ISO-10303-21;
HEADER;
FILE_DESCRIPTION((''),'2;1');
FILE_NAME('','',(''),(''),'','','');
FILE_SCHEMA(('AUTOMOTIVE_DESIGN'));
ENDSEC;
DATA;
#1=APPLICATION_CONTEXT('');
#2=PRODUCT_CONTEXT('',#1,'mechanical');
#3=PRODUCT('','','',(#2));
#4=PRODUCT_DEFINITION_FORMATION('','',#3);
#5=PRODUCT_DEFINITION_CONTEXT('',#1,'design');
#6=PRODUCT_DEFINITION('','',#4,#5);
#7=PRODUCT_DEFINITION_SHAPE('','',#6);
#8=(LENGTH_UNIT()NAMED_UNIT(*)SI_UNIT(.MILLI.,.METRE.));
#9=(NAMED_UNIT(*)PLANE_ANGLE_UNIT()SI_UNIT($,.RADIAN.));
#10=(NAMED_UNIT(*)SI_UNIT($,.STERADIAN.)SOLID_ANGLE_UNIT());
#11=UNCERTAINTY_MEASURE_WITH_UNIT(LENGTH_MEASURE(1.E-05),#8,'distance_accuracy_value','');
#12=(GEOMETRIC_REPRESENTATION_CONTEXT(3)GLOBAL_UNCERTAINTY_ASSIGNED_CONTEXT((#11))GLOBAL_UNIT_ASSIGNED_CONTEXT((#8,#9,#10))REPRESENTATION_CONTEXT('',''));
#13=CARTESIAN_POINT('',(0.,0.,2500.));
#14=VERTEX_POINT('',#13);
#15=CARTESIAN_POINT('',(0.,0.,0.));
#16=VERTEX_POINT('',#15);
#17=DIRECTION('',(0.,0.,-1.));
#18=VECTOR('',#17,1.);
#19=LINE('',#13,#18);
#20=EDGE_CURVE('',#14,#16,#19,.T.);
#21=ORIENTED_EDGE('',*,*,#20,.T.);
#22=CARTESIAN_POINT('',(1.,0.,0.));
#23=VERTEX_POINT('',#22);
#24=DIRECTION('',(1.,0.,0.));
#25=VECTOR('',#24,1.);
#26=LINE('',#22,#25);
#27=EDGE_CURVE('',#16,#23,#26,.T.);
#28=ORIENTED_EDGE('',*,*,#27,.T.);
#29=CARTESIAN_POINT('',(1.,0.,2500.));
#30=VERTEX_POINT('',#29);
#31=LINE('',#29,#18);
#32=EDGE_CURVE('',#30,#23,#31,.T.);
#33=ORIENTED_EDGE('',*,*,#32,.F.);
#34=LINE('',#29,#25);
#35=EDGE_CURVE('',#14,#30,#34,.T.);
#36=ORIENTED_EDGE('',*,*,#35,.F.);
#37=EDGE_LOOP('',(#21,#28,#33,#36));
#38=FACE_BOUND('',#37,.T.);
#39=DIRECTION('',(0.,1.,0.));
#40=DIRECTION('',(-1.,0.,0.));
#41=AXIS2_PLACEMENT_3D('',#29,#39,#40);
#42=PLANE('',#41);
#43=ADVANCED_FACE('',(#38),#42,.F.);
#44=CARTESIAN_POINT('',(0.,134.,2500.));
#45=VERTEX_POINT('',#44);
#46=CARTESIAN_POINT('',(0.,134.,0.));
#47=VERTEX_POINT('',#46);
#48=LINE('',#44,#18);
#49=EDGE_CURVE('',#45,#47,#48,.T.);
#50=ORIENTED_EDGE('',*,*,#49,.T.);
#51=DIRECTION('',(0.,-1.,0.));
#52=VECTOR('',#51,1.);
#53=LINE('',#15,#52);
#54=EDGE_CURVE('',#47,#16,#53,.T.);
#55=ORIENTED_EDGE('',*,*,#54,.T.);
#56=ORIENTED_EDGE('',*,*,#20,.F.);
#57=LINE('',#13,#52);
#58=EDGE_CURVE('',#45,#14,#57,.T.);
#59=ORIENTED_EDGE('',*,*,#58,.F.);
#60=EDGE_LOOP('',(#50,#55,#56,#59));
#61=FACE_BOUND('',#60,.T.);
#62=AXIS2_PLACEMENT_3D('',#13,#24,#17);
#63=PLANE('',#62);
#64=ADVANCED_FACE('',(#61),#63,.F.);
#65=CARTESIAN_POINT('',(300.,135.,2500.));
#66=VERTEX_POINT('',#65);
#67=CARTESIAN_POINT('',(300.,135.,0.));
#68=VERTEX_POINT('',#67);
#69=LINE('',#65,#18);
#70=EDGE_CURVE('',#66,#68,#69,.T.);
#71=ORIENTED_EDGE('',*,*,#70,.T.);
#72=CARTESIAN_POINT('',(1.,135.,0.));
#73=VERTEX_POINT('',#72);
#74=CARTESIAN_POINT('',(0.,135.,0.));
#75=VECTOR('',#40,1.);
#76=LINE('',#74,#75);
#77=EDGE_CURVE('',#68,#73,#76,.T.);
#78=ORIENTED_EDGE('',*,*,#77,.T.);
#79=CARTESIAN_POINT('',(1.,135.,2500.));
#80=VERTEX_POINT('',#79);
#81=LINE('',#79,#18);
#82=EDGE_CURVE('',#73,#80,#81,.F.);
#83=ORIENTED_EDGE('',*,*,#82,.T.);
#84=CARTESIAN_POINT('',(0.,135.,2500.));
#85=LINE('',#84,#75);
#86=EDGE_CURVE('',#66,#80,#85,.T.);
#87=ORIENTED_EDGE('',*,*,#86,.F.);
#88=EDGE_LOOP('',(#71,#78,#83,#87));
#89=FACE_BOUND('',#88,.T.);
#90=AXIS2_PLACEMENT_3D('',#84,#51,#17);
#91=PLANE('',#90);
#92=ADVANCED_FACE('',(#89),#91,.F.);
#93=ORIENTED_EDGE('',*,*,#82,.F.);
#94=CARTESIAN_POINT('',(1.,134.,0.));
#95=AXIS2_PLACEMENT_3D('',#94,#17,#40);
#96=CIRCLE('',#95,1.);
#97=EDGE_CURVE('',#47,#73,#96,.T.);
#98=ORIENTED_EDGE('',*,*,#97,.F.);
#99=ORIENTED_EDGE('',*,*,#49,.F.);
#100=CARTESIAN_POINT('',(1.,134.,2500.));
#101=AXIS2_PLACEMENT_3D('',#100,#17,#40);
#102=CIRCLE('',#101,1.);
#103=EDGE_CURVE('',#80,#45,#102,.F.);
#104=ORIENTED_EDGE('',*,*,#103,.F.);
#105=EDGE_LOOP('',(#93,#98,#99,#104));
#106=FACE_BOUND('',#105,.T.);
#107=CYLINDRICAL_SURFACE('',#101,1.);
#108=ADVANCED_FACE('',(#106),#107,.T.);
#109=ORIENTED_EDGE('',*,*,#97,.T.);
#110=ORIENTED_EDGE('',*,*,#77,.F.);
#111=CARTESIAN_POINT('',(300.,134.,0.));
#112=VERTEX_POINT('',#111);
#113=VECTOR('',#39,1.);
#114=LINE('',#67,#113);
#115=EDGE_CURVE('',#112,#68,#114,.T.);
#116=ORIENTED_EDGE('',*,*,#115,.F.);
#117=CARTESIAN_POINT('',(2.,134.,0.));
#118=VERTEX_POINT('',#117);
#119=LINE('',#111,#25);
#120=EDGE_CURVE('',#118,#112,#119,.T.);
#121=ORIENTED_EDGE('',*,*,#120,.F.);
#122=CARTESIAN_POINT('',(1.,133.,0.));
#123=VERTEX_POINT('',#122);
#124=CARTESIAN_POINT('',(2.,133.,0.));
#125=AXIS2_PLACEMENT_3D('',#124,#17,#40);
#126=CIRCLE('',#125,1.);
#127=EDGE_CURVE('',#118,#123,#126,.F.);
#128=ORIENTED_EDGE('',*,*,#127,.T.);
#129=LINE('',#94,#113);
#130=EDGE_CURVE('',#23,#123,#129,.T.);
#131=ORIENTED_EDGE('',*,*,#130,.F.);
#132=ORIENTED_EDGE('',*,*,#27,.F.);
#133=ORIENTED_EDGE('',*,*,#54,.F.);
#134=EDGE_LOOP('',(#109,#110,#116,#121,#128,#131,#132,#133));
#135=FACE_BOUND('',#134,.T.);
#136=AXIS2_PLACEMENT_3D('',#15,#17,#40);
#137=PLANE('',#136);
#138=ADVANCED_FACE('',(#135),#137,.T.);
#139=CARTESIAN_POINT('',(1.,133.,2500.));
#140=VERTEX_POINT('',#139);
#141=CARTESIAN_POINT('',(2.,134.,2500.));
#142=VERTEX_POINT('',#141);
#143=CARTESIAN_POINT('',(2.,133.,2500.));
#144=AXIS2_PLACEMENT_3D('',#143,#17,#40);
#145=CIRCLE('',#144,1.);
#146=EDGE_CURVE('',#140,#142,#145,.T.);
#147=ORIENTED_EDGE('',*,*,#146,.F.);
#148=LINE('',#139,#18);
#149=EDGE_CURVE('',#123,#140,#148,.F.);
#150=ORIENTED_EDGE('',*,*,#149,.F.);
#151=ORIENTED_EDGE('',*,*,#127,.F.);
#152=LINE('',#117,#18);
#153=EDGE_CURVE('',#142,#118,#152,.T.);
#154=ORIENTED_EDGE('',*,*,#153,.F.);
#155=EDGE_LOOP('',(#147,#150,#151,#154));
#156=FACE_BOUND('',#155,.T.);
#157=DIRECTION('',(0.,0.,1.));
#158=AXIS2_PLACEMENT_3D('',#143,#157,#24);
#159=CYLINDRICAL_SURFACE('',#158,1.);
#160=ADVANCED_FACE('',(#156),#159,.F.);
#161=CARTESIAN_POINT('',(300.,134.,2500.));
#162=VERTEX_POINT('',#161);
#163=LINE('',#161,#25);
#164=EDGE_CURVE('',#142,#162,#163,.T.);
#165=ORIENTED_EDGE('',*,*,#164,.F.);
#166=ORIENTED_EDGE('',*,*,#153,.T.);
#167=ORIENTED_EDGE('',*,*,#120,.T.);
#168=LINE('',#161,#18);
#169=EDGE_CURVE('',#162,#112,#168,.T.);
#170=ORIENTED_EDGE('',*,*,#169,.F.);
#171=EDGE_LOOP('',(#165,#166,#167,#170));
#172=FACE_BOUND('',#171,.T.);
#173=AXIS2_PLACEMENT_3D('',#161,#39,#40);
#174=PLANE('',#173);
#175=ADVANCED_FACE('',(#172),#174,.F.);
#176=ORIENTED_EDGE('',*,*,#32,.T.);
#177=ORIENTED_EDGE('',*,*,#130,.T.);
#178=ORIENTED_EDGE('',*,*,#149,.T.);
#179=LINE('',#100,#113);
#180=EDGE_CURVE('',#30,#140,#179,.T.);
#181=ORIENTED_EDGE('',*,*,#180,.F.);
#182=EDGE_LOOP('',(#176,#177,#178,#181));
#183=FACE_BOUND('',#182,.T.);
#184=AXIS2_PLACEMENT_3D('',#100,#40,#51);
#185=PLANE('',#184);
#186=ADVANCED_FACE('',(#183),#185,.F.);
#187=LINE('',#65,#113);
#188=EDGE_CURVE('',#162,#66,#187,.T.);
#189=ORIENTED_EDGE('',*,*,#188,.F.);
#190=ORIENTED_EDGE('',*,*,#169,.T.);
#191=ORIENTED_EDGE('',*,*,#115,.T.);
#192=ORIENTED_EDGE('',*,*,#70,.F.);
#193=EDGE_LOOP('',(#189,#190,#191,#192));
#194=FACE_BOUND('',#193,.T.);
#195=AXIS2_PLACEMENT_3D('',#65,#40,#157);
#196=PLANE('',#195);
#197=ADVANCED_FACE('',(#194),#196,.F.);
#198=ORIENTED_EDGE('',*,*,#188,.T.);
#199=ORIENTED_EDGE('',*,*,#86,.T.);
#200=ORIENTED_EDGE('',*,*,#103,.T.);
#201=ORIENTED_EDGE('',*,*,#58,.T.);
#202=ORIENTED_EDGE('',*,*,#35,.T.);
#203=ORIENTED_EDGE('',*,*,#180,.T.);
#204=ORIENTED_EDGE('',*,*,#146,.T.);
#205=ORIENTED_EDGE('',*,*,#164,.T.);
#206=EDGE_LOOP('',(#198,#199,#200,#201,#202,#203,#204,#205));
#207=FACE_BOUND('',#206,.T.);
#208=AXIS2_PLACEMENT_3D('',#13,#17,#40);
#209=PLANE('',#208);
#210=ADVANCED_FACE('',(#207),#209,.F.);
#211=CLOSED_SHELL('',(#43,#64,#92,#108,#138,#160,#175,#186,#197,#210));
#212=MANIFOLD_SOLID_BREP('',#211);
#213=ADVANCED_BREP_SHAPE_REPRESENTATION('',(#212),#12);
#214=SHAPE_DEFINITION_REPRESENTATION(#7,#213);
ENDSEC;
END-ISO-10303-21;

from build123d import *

# Parameters (mm, degrees)
BOSS_EXTRUDE1_DEPTH = 2500
FILLET1_R           = 1


with BuildPart() as part:
    # Sketch1 → Boss-Extrude1 (new body)
    with BuildSketch(Plane.XY):
        Polygon((0, 0), (0, 135), (300, 135), (300, 134), (1, 134), (1, 0), align=None)
    extrude(amount=BOSS_EXTRUDE1_DEPTH)

    # Fillet1
    fillet1_edges = [part.edges().sort_by_distance(p)[0] for p in [
        (0, 135, 1250),
        (1, 134, 1250),
    ]]
    fillet(fillet1_edges, radius=FILLET1_R)


solid = part.part
